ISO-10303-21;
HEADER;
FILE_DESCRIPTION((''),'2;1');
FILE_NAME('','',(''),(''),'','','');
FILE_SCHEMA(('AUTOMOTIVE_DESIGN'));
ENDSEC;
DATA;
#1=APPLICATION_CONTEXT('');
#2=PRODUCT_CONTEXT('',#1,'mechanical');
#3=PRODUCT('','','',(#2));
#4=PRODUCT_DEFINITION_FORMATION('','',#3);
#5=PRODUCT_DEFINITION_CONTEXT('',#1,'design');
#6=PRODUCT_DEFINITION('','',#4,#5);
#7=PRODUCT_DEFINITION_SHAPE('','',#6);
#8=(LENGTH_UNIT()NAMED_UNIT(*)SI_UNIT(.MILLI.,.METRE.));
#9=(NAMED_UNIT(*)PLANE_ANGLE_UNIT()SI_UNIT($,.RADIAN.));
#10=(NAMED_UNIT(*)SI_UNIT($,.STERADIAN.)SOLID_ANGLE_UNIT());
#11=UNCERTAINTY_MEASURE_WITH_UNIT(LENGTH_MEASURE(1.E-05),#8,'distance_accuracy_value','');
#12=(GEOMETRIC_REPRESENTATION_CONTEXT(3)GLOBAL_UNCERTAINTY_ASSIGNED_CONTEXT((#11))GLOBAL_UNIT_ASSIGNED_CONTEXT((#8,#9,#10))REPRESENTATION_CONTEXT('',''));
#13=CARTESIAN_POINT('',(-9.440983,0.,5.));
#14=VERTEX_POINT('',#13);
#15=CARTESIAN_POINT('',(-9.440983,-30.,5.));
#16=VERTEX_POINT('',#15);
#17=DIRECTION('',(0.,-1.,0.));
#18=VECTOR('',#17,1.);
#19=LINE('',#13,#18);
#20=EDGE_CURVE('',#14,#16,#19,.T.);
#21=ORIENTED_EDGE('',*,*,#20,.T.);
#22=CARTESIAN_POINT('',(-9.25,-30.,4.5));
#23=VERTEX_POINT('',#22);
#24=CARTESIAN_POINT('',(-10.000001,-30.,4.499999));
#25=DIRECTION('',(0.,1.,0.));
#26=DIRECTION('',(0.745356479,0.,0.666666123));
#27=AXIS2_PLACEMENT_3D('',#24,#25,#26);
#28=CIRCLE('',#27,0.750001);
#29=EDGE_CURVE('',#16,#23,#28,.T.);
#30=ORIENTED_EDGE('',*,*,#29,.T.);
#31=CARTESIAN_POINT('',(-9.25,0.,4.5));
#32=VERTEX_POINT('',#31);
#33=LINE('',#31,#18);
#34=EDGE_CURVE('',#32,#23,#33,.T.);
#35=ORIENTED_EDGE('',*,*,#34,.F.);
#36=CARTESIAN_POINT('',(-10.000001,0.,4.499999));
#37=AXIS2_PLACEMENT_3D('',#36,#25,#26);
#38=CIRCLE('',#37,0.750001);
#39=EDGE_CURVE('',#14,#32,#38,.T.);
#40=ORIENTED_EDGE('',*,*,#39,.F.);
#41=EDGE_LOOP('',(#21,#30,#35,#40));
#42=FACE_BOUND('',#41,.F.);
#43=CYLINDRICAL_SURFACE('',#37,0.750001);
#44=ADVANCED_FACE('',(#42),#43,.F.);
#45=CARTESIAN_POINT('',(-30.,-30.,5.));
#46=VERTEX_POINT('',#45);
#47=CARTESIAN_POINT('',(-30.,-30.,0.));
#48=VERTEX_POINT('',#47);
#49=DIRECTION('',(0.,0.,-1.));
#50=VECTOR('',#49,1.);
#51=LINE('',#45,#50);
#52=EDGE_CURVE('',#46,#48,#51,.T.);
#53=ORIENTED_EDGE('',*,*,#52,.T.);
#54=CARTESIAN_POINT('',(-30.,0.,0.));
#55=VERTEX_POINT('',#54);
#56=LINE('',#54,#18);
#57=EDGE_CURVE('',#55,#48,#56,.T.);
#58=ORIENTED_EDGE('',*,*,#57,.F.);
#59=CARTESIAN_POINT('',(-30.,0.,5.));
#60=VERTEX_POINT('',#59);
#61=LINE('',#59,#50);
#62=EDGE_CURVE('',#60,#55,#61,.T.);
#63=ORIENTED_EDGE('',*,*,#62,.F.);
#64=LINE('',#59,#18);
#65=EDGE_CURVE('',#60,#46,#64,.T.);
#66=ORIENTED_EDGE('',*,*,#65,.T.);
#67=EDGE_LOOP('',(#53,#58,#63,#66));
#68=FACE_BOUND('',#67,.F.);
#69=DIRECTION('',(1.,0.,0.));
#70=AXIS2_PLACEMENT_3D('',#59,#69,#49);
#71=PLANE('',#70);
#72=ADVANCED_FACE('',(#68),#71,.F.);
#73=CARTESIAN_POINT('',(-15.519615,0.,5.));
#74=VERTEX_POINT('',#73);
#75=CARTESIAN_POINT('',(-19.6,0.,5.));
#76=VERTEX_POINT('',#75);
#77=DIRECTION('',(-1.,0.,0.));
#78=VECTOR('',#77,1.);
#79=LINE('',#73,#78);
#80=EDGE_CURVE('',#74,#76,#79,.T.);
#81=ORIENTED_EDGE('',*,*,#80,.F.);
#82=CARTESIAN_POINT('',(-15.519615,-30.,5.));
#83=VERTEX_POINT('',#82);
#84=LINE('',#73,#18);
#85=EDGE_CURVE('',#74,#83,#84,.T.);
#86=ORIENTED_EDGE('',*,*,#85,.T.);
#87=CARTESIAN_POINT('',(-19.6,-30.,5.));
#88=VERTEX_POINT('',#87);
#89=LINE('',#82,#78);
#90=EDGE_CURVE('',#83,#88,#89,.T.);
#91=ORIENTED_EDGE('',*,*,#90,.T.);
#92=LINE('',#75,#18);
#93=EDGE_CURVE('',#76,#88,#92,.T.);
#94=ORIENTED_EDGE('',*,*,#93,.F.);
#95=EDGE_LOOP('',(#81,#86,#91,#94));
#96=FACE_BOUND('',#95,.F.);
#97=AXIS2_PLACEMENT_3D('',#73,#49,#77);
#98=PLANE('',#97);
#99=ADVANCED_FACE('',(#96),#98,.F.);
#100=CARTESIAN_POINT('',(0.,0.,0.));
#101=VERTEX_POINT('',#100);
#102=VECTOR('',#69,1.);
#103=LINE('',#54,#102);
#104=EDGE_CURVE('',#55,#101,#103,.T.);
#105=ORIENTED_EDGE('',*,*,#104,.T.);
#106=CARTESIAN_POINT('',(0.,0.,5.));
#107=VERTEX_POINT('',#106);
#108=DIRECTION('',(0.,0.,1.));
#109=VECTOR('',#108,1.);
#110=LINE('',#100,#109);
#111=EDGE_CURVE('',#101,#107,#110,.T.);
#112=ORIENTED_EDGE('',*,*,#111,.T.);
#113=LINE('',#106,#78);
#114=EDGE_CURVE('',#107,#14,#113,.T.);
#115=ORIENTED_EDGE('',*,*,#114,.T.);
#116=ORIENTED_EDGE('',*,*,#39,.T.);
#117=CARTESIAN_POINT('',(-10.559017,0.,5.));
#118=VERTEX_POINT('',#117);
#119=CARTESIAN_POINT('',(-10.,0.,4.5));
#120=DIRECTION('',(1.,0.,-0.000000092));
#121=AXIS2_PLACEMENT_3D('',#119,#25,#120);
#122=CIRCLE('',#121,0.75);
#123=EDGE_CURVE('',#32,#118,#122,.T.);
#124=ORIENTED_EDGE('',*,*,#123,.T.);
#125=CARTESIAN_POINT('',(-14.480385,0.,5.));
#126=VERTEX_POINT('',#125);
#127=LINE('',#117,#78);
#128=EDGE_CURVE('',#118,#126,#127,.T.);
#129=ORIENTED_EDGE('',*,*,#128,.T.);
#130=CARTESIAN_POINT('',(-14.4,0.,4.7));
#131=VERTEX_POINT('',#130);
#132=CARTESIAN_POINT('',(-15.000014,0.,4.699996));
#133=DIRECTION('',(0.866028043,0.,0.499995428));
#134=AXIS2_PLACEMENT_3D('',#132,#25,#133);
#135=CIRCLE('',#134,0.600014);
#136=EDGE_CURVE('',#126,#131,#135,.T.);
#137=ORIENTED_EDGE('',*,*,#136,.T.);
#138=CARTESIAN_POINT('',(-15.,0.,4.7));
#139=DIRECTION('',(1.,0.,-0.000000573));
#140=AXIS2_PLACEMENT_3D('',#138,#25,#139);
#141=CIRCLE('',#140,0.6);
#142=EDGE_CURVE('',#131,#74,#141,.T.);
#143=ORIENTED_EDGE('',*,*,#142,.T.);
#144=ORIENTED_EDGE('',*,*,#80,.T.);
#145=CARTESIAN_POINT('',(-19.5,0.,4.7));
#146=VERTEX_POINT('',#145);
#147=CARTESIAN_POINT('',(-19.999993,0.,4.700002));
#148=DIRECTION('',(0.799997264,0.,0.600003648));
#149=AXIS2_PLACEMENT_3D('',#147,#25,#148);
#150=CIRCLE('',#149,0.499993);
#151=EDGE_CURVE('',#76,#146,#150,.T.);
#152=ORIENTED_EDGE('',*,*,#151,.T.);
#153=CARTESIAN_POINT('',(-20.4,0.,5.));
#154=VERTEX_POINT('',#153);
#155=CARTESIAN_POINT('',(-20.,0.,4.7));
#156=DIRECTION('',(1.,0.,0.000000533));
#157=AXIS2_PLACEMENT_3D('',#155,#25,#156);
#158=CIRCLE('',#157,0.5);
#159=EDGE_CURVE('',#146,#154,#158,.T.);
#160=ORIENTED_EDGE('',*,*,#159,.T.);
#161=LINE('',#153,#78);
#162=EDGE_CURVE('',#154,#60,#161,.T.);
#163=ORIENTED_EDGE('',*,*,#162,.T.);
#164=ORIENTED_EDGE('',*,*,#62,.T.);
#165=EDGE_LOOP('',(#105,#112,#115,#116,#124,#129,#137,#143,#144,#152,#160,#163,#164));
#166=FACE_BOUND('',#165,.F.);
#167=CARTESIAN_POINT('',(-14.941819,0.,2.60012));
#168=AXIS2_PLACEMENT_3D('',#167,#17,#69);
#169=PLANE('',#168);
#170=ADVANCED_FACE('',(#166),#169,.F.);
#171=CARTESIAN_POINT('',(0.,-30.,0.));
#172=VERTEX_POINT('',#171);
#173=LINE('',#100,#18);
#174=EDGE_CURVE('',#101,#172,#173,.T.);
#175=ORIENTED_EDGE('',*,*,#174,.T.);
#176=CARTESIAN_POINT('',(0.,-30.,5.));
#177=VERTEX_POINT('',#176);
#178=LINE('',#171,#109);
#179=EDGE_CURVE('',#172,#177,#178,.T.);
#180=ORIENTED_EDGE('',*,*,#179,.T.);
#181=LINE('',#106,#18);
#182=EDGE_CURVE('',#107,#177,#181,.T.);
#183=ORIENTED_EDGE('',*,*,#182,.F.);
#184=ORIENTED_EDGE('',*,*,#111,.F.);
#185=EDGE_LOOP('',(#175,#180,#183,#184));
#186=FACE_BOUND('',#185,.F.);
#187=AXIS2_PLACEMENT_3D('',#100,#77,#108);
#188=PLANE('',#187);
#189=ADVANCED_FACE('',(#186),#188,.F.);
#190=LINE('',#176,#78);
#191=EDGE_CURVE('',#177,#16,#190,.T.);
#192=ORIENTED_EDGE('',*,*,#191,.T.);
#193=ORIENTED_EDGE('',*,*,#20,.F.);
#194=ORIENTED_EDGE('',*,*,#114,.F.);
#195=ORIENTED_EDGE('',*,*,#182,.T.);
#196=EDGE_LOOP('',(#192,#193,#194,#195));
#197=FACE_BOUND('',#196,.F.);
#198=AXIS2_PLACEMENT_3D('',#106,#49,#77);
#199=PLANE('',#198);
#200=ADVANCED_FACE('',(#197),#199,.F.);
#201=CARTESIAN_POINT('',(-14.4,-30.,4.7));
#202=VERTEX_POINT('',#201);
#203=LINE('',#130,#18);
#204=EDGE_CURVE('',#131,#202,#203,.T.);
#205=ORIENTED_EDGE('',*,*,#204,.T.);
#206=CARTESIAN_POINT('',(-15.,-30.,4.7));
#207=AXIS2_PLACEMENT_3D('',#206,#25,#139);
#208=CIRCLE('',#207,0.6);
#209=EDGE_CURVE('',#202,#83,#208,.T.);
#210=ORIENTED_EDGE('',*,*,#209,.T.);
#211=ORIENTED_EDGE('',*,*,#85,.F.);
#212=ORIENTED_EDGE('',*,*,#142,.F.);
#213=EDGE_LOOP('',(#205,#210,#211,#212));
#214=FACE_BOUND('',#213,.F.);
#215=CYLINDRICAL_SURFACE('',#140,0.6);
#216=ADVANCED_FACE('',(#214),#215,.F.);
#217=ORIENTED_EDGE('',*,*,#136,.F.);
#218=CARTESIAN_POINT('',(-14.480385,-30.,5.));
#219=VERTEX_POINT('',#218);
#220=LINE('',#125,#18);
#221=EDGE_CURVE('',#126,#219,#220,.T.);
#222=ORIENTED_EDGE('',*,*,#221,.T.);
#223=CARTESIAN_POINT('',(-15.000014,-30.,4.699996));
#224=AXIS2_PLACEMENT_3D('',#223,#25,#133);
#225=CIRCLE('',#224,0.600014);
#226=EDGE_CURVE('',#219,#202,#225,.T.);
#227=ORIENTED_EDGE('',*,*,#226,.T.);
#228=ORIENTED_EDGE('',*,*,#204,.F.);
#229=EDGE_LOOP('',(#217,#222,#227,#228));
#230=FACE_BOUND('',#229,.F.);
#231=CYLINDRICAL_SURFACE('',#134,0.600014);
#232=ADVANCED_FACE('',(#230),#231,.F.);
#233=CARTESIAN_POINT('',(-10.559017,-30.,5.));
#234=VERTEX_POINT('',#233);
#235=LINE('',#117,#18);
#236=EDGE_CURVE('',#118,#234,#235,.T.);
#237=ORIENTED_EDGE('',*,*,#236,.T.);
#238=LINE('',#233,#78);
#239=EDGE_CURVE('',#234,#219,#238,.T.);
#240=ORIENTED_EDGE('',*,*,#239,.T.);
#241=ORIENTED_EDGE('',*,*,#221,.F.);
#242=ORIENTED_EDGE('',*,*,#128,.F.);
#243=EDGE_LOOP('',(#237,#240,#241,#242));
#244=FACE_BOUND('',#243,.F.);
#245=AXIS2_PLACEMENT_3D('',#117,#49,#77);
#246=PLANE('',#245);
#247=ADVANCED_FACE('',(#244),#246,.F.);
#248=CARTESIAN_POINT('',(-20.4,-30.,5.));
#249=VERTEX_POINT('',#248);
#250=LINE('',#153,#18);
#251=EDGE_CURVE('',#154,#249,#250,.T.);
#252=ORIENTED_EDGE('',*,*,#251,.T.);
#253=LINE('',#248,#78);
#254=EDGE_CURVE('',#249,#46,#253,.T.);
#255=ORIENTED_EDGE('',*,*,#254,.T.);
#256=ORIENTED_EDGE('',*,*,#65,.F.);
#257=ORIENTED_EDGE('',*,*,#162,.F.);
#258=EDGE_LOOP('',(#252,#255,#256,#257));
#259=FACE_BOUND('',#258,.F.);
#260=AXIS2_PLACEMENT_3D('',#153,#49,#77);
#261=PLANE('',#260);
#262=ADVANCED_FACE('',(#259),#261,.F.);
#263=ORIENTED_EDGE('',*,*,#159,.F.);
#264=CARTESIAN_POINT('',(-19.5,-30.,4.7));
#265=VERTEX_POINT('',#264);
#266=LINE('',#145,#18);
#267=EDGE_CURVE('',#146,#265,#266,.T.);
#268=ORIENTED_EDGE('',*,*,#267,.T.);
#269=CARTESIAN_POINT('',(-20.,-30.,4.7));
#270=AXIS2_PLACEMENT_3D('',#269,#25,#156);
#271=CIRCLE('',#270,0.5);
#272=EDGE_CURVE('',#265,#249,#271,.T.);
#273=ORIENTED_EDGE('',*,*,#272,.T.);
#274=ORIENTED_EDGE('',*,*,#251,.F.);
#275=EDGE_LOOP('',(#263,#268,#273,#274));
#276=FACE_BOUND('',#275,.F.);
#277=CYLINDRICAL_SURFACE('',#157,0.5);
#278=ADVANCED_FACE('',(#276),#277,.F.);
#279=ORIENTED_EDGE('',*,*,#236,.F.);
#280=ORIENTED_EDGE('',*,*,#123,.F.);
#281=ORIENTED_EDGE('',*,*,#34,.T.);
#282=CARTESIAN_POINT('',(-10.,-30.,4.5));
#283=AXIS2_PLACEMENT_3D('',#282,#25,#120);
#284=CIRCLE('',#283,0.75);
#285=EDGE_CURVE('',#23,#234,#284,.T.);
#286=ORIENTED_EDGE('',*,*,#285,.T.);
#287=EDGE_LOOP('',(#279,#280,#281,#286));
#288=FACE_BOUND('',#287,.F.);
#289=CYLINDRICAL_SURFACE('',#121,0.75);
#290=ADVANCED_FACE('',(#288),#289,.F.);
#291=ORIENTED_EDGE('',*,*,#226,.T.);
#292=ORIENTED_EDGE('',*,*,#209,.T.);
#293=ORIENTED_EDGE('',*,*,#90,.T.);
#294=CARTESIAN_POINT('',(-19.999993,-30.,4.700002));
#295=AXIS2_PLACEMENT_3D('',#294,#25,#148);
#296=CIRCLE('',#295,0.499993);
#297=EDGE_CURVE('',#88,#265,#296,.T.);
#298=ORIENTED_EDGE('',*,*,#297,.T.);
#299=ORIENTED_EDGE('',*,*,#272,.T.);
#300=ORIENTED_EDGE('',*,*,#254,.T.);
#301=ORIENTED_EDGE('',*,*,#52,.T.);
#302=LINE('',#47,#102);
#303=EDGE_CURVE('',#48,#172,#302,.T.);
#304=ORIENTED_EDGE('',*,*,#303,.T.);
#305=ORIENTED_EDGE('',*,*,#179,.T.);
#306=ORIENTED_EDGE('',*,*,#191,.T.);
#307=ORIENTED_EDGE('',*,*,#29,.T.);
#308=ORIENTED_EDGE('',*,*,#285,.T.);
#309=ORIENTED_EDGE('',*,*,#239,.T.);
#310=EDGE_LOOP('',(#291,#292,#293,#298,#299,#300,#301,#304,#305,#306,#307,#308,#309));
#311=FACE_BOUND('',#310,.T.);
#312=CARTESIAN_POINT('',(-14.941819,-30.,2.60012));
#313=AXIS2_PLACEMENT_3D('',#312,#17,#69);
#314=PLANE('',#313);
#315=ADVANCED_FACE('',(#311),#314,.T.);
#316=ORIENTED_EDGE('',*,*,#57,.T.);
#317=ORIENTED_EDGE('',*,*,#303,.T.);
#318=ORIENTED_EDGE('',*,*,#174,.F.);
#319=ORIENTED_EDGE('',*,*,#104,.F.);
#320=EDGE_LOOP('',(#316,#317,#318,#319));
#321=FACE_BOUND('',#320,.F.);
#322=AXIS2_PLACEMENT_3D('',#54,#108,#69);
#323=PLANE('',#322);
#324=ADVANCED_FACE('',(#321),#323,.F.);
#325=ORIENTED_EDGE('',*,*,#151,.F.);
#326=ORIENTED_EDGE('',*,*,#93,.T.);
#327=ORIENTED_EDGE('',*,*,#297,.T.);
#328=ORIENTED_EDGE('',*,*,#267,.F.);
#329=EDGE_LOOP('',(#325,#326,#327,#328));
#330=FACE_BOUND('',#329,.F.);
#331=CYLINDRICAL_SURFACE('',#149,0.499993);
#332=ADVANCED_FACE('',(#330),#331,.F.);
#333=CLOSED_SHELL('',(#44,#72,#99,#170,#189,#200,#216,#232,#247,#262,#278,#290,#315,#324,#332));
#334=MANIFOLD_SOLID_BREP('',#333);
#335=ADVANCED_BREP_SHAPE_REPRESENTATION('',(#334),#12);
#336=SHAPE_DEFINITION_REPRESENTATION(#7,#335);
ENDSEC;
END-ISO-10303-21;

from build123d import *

# Parameters (mm, degrees)
F1_DEPTH = 30


with BuildPart() as f1:
    # F0 (on Front) → F1 (new body)
    with BuildSketch(Plane.XZ):
        with BuildLine():
            Line((-20.4, 5), (-30, 5))
            Line((-30, 5), (-30, 0))
            Line((-30, 0), (0, 0))
            Line((0, 0), (0, 5))
            Line((0, 5), (-9.440983, 5))
            ThreePointArc((-9.440983, 5), (-9.299371, 4.767617), (-9.25, 4.5))
            ThreePointArc((-9.25, 4.5), (-10.267617, 3.799371), (-10.559017, 5))
            Line((-10.559017, 5), (-14.480385, 5))
            ThreePointArc((-14.480385, 5), (-14.420445, 4.855291), (-14.4, 4.7))
            ThreePointArc((-14.4, 4.7), (-15.155291, 4.120445), (-15.519615, 5))
            Line((-15.519615, 5), (-19.6, 5))
            ThreePointArc((-19.6, 5), (-19.525658, 4.858114), (-19.5, 4.7))
            ThreePointArc((-19.5, 4.7), (-20.158114, 4.225658), (-20.4, 5))
        make_face()
    extrude(amount=F1_DEPTH)


solid = f1.part
